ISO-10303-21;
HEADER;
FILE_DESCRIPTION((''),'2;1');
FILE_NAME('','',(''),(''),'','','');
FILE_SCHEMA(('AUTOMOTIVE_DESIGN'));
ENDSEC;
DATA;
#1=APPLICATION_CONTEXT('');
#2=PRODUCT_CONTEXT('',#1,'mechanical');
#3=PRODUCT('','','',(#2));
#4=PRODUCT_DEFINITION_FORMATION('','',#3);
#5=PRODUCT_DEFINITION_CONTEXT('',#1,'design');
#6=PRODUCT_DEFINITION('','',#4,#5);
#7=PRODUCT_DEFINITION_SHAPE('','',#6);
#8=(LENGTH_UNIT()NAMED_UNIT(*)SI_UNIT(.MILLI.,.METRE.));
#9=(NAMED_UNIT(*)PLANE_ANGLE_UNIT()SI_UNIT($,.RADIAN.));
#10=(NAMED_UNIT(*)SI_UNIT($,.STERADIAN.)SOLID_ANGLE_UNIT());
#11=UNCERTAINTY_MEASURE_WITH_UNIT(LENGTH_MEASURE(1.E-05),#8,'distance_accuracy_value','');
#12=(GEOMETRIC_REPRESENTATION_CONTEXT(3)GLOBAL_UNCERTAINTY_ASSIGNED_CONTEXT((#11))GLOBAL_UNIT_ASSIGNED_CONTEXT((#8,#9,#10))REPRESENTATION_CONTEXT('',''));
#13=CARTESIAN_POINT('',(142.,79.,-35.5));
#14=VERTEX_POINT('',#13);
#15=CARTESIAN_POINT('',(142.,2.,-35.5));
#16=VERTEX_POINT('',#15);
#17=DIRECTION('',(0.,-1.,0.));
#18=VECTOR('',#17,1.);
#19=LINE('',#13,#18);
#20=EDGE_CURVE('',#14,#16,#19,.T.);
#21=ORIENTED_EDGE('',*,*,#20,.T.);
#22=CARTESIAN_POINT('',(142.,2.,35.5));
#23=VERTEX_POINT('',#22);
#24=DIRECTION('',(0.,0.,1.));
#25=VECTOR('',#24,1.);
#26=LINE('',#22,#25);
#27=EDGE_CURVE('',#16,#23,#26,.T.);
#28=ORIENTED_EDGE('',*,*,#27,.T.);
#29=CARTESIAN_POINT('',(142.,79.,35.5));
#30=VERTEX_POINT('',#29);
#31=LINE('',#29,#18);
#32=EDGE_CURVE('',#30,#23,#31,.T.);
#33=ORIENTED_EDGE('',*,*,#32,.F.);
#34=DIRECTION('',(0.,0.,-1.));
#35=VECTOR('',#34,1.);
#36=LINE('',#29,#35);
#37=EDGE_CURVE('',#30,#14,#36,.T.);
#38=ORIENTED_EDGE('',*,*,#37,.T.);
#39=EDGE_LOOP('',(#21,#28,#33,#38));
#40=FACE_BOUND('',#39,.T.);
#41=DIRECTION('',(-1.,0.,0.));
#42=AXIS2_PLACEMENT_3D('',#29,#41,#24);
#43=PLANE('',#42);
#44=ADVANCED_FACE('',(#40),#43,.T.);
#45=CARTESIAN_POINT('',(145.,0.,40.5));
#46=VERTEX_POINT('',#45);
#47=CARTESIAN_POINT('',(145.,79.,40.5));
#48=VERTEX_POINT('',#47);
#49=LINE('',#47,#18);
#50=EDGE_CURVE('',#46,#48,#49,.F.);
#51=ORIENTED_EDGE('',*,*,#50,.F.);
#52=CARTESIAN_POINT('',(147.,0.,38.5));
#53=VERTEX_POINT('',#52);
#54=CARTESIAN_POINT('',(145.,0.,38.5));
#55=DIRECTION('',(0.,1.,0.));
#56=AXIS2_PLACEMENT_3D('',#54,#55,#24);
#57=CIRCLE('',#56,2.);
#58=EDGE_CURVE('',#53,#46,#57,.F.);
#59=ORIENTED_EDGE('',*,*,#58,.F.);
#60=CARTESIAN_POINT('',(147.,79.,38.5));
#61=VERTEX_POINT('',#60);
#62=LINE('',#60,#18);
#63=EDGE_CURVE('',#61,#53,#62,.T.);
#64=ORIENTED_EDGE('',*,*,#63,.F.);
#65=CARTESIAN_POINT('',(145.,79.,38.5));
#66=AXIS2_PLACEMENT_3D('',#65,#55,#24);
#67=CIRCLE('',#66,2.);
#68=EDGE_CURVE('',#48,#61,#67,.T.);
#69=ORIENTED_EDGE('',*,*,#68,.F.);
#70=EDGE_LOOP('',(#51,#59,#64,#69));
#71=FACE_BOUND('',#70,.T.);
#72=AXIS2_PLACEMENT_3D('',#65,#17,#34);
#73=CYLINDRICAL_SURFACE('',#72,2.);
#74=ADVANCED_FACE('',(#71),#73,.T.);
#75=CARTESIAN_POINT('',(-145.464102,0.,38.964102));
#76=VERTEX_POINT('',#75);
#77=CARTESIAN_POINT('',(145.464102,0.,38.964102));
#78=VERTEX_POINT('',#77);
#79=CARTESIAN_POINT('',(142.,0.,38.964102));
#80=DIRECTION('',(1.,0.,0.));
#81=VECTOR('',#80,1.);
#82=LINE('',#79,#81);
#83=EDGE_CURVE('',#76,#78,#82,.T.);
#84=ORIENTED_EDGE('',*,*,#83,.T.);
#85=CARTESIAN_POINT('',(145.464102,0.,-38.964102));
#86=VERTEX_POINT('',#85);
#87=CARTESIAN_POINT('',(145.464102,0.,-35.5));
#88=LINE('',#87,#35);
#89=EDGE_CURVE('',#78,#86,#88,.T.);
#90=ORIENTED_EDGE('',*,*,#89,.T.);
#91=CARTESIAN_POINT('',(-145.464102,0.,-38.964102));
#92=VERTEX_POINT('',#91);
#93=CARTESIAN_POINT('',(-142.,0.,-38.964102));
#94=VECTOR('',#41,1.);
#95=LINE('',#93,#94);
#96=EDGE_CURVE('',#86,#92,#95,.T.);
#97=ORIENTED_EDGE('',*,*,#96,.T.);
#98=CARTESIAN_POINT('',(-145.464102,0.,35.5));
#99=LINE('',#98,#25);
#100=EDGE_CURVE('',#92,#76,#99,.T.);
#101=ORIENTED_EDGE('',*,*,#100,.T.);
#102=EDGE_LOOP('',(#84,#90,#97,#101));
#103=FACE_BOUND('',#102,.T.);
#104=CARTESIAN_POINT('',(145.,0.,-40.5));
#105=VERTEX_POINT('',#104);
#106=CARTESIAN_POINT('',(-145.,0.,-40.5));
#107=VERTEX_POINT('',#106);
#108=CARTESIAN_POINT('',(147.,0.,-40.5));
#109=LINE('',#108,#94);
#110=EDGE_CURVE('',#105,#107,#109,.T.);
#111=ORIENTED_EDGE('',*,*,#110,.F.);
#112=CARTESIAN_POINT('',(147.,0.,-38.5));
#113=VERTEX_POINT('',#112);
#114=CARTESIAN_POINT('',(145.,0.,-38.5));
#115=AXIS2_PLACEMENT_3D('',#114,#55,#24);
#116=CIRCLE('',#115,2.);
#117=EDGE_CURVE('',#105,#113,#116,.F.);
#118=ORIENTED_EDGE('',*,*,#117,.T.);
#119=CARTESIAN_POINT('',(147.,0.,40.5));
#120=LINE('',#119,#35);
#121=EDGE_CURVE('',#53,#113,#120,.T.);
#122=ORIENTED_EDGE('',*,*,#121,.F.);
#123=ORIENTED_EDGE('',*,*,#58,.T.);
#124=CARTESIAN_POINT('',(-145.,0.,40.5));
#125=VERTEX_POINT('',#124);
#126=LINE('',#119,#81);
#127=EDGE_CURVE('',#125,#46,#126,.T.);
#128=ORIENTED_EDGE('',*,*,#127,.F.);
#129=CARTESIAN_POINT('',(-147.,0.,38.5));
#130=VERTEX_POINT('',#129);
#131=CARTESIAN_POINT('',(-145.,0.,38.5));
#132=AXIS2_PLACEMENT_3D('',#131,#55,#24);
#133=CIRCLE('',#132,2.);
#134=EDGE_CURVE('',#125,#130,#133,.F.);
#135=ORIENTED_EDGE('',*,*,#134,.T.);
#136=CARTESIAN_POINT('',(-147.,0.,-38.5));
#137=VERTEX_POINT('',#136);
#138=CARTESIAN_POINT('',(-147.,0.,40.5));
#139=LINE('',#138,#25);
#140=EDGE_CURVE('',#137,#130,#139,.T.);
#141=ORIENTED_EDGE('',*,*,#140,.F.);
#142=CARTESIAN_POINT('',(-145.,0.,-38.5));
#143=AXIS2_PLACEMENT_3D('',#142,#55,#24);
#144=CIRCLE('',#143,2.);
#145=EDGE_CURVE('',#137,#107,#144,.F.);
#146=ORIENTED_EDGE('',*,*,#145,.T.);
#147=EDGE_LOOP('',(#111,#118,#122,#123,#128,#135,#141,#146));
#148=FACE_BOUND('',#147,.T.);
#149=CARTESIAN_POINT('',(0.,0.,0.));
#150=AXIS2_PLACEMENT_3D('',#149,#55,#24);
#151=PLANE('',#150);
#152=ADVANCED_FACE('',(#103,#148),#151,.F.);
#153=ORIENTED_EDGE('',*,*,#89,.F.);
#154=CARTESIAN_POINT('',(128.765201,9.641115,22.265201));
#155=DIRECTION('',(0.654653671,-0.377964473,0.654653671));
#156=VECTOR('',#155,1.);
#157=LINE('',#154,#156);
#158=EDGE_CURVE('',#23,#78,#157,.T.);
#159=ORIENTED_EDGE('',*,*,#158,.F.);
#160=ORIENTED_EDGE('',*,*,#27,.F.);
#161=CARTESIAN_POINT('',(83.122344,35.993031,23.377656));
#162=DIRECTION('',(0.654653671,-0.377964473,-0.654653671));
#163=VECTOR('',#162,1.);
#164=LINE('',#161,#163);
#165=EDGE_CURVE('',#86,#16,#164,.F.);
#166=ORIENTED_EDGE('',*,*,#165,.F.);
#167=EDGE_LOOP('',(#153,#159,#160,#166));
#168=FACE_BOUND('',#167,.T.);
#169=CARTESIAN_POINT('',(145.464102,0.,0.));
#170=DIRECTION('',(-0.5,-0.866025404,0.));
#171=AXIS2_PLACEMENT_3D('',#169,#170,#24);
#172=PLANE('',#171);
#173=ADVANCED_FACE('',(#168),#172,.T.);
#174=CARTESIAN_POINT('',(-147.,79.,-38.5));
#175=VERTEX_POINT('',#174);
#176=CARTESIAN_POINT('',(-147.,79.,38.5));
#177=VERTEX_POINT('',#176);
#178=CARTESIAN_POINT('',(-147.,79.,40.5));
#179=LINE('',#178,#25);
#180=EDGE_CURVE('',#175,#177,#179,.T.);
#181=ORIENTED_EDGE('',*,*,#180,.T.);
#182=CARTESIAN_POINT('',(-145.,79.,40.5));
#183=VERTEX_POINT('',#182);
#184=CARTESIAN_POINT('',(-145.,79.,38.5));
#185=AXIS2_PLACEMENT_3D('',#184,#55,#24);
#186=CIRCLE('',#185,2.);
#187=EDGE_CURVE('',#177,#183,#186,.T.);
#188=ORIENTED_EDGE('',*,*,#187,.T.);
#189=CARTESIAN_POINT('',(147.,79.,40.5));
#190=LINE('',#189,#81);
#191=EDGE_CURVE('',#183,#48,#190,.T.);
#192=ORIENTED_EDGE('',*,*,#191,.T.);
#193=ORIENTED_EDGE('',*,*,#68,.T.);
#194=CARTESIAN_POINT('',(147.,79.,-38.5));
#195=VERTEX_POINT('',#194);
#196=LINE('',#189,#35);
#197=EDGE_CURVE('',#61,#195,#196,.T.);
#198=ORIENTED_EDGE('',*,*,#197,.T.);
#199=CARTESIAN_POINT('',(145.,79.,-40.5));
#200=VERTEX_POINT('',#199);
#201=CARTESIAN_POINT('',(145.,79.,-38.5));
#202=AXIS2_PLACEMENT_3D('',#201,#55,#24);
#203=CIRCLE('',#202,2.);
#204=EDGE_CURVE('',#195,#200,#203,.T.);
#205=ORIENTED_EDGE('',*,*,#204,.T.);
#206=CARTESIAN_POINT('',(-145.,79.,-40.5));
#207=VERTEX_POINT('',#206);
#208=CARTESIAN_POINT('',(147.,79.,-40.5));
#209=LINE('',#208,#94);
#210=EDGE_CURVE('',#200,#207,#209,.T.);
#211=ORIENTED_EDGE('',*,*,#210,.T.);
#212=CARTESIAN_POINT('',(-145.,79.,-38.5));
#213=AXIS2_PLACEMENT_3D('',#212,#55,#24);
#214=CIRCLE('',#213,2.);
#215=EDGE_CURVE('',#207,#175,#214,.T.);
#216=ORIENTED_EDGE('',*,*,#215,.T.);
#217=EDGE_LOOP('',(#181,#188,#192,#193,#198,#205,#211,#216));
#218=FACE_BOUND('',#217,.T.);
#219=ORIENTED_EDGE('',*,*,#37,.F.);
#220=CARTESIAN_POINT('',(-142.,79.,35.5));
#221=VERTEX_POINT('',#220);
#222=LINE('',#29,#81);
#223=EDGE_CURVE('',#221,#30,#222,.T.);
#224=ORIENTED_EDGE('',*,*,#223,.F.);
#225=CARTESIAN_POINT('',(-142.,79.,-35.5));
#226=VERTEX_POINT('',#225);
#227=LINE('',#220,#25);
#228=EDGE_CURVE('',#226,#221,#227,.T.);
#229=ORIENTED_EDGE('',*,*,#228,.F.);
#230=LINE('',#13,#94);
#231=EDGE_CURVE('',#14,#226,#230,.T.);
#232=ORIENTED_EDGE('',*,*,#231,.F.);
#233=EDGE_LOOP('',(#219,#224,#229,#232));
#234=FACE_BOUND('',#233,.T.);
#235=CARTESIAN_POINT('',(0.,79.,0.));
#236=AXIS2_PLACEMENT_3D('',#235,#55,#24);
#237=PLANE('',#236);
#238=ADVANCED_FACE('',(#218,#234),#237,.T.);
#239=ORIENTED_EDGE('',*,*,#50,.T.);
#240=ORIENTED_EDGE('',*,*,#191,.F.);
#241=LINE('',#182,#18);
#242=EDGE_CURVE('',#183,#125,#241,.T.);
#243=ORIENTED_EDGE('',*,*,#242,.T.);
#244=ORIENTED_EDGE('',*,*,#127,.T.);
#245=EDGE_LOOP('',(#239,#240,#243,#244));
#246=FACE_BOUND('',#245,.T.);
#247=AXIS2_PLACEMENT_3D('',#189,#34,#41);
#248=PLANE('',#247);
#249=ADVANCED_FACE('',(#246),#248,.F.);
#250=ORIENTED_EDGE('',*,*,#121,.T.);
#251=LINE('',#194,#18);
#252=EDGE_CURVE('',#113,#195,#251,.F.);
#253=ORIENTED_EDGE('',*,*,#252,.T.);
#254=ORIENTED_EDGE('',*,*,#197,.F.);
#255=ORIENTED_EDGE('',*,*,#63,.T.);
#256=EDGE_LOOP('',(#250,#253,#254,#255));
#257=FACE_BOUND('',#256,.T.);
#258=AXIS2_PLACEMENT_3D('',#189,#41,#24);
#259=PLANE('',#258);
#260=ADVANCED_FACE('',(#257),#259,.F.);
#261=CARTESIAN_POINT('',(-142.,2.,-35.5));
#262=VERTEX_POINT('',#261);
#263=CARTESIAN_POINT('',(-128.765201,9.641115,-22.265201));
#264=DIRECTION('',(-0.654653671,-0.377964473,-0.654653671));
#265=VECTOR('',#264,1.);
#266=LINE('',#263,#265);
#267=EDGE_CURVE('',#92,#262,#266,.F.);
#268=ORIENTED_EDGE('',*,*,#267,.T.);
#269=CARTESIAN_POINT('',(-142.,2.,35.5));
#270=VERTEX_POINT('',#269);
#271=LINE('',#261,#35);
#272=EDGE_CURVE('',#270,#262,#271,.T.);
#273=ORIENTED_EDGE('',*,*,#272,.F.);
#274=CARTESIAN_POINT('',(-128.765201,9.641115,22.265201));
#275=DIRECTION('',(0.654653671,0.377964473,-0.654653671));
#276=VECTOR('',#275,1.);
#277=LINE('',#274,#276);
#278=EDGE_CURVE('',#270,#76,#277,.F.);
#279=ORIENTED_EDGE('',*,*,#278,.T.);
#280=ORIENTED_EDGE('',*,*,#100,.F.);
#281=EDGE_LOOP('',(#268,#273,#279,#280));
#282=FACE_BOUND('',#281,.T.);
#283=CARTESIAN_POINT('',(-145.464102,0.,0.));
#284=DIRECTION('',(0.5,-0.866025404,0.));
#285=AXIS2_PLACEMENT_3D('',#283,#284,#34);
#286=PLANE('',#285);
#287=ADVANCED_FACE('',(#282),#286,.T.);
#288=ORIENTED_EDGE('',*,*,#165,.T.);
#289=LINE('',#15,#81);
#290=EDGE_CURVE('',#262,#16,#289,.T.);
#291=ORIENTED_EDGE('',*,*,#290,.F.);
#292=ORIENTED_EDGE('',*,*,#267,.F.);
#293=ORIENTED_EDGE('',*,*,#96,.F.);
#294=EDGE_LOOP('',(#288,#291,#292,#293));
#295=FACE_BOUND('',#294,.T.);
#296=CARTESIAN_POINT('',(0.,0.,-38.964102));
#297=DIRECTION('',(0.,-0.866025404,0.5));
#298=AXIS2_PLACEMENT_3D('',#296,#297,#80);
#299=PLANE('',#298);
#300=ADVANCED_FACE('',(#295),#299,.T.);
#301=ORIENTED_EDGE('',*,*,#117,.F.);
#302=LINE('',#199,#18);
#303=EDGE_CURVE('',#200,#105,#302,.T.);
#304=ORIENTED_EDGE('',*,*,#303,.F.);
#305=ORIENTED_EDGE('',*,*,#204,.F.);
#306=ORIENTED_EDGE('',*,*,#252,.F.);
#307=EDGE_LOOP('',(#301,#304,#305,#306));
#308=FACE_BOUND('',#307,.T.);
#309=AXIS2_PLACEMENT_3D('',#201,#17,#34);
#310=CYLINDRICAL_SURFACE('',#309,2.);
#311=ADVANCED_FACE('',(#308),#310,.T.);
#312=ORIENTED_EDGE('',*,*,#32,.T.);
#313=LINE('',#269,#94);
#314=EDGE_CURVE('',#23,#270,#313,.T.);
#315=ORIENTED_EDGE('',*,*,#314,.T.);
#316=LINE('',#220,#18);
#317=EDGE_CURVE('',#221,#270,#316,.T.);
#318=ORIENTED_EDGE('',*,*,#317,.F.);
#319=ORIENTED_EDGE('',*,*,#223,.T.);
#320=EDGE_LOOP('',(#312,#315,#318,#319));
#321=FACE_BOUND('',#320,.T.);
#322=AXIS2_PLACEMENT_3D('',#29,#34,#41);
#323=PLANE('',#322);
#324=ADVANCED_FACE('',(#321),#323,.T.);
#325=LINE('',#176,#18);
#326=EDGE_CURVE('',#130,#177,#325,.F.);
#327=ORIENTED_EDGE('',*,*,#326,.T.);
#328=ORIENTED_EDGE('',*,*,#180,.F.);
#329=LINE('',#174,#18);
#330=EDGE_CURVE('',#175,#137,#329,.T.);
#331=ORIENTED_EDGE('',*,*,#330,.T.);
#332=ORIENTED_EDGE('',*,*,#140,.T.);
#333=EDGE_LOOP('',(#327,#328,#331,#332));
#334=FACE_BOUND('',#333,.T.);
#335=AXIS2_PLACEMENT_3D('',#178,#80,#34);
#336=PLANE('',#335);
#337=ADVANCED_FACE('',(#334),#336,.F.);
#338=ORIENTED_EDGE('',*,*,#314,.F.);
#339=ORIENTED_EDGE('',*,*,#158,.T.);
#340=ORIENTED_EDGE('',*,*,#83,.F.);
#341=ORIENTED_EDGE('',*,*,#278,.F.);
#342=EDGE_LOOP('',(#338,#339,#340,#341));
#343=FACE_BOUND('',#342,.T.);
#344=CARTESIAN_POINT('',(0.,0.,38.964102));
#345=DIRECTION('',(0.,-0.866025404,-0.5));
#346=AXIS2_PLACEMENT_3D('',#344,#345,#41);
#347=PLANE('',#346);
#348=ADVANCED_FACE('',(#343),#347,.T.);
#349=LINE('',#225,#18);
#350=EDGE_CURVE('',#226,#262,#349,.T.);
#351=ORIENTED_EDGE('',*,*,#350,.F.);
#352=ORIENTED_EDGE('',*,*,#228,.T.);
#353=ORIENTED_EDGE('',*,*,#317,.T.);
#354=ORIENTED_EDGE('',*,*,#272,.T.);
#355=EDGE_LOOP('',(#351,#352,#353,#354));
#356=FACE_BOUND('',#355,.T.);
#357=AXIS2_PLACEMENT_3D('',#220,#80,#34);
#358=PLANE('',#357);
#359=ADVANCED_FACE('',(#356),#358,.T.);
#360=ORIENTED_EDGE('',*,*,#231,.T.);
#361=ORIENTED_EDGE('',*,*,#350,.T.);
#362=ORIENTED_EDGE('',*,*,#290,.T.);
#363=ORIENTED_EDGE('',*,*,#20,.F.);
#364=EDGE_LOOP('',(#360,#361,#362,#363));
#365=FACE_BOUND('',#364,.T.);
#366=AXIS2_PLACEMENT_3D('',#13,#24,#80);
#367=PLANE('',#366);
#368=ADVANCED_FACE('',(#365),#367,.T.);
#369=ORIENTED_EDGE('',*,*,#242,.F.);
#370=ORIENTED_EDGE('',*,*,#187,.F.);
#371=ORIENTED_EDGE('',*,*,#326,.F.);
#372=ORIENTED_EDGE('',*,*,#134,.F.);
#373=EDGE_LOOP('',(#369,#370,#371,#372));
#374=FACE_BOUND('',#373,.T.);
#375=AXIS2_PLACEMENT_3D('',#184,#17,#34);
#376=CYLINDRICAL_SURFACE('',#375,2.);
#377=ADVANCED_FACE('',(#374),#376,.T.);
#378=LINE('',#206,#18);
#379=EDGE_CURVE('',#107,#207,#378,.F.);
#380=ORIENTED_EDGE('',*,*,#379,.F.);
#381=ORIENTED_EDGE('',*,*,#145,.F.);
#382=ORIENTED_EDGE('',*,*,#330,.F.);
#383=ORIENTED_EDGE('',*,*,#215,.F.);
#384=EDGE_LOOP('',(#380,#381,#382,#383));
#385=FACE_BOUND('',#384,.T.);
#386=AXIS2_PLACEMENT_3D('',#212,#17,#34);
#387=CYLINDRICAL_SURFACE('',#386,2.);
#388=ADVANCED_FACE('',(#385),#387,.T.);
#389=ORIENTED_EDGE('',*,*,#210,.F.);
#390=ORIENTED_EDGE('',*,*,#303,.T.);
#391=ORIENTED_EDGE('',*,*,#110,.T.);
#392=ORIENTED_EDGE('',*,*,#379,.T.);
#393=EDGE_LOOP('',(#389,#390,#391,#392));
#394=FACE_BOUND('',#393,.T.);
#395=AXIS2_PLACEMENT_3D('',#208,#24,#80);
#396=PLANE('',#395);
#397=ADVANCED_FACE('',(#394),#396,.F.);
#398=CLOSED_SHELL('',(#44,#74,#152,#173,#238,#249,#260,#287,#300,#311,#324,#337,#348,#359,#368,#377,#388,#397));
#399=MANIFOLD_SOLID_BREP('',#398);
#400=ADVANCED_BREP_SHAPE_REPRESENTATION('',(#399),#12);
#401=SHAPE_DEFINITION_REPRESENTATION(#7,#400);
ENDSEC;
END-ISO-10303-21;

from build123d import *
from OCP.BRepFilletAPI import BRepFilletAPI_MakeChamfer

# Parameters (mm, degrees)
SKETCH1_W           = 294
SKETCH1_H           = 81
SKETCH1_W_2         = 284
SKETCH1_H_2         = 71
BOSS_EXTRUDE1_DEPTH = 79
FILLET1_R           = 2
CHAMFER1_SIZE       = 2
CHAMFER1_SIZE2      = 3.464101615


with BuildPart() as part:
    # Sketch1 → Boss-Extrude1 (new body)
    with BuildSketch(Plane(origin=(0, 0, 0), x_dir=(1, 0, 0), z_dir=(0, 1, 0))):
        Rectangle(SKETCH1_W, SKETCH1_H)
        Rectangle(SKETCH1_W_2, SKETCH1_H_2, mode=Mode.SUBTRACT)
    extrude(amount=BOSS_EXTRUDE1_DEPTH)

    # Fillet1
    fillet1_edges = [part.edges().sort_by_distance(p)[0] for p in [
        (-147, 39.5, -40.5),
        (147, 39.5, -40.5),
        (147, 39.5, 40.5),
        (-147, 39.5, 40.5),
    ]]
    fillet(fillet1_edges, radius=FILLET1_R)

    # Chamfer1: one chamfer whose edges measure the first distance from different faces: ONE call of the kernel's chamfer builder (chamfer() names one face for all edges)
    chamfer1_edges_1 = [part.edges().sort_by_distance(p)[0] for p in [
        (-142, 0, 0),
    ]]
    chamfer1_side_1 = [part.faces().sort_by_distance(p)[0] for p in [
        (-142, 39.5, 0),
    ]]
    chamfer1_edges_2 = [part.edges().sort_by_distance(p)[0] for p in [
        (0, 0, 35.5),
    ]]
    chamfer1_side_2 = [part.faces().sort_by_distance(p)[0] for p in [
        (0, 39.5, 35.5),
    ]]
    chamfer1_edges_3 = [part.edges().sort_by_distance(p)[0] for p in [
        (142, 0, 0),
    ]]
    chamfer1_side_3 = [part.faces().sort_by_distance(p)[0] for p in [
        (142, 39.5, 0),
    ]]
    chamfer1_edges_4 = [part.edges().sort_by_distance(p)[0] for p in [
        (0, 0, -35.5),
    ]]
    chamfer1_side_4 = [part.faces().sort_by_distance(p)[0] for p in [
        (0, 39.5, -35.5),
    ]]
    chamfer1 = BRepFilletAPI_MakeChamfer(part.part.solid().wrapped)
    for e in chamfer1_edges_1:
        chamfer1.Add(CHAMFER1_SIZE, CHAMFER1_SIZE2, e.wrapped, chamfer1_side_1[0].wrapped)  # the first distance lies on this face
    for e in chamfer1_edges_2:
        chamfer1.Add(CHAMFER1_SIZE, CHAMFER1_SIZE2, e.wrapped, chamfer1_side_2[0].wrapped)  # the first distance lies on this face
    for e in chamfer1_edges_3:
        chamfer1.Add(CHAMFER1_SIZE, CHAMFER1_SIZE2, e.wrapped, chamfer1_side_3[0].wrapped)  # the first distance lies on this face
    for e in chamfer1_edges_4:
        chamfer1.Add(CHAMFER1_SIZE, CHAMFER1_SIZE2, e.wrapped, chamfer1_side_4[0].wrapped)  # the first distance lies on this face
    add(Compound.cast(chamfer1.Shape()), mode=Mode.REPLACE)


solid = part.part
